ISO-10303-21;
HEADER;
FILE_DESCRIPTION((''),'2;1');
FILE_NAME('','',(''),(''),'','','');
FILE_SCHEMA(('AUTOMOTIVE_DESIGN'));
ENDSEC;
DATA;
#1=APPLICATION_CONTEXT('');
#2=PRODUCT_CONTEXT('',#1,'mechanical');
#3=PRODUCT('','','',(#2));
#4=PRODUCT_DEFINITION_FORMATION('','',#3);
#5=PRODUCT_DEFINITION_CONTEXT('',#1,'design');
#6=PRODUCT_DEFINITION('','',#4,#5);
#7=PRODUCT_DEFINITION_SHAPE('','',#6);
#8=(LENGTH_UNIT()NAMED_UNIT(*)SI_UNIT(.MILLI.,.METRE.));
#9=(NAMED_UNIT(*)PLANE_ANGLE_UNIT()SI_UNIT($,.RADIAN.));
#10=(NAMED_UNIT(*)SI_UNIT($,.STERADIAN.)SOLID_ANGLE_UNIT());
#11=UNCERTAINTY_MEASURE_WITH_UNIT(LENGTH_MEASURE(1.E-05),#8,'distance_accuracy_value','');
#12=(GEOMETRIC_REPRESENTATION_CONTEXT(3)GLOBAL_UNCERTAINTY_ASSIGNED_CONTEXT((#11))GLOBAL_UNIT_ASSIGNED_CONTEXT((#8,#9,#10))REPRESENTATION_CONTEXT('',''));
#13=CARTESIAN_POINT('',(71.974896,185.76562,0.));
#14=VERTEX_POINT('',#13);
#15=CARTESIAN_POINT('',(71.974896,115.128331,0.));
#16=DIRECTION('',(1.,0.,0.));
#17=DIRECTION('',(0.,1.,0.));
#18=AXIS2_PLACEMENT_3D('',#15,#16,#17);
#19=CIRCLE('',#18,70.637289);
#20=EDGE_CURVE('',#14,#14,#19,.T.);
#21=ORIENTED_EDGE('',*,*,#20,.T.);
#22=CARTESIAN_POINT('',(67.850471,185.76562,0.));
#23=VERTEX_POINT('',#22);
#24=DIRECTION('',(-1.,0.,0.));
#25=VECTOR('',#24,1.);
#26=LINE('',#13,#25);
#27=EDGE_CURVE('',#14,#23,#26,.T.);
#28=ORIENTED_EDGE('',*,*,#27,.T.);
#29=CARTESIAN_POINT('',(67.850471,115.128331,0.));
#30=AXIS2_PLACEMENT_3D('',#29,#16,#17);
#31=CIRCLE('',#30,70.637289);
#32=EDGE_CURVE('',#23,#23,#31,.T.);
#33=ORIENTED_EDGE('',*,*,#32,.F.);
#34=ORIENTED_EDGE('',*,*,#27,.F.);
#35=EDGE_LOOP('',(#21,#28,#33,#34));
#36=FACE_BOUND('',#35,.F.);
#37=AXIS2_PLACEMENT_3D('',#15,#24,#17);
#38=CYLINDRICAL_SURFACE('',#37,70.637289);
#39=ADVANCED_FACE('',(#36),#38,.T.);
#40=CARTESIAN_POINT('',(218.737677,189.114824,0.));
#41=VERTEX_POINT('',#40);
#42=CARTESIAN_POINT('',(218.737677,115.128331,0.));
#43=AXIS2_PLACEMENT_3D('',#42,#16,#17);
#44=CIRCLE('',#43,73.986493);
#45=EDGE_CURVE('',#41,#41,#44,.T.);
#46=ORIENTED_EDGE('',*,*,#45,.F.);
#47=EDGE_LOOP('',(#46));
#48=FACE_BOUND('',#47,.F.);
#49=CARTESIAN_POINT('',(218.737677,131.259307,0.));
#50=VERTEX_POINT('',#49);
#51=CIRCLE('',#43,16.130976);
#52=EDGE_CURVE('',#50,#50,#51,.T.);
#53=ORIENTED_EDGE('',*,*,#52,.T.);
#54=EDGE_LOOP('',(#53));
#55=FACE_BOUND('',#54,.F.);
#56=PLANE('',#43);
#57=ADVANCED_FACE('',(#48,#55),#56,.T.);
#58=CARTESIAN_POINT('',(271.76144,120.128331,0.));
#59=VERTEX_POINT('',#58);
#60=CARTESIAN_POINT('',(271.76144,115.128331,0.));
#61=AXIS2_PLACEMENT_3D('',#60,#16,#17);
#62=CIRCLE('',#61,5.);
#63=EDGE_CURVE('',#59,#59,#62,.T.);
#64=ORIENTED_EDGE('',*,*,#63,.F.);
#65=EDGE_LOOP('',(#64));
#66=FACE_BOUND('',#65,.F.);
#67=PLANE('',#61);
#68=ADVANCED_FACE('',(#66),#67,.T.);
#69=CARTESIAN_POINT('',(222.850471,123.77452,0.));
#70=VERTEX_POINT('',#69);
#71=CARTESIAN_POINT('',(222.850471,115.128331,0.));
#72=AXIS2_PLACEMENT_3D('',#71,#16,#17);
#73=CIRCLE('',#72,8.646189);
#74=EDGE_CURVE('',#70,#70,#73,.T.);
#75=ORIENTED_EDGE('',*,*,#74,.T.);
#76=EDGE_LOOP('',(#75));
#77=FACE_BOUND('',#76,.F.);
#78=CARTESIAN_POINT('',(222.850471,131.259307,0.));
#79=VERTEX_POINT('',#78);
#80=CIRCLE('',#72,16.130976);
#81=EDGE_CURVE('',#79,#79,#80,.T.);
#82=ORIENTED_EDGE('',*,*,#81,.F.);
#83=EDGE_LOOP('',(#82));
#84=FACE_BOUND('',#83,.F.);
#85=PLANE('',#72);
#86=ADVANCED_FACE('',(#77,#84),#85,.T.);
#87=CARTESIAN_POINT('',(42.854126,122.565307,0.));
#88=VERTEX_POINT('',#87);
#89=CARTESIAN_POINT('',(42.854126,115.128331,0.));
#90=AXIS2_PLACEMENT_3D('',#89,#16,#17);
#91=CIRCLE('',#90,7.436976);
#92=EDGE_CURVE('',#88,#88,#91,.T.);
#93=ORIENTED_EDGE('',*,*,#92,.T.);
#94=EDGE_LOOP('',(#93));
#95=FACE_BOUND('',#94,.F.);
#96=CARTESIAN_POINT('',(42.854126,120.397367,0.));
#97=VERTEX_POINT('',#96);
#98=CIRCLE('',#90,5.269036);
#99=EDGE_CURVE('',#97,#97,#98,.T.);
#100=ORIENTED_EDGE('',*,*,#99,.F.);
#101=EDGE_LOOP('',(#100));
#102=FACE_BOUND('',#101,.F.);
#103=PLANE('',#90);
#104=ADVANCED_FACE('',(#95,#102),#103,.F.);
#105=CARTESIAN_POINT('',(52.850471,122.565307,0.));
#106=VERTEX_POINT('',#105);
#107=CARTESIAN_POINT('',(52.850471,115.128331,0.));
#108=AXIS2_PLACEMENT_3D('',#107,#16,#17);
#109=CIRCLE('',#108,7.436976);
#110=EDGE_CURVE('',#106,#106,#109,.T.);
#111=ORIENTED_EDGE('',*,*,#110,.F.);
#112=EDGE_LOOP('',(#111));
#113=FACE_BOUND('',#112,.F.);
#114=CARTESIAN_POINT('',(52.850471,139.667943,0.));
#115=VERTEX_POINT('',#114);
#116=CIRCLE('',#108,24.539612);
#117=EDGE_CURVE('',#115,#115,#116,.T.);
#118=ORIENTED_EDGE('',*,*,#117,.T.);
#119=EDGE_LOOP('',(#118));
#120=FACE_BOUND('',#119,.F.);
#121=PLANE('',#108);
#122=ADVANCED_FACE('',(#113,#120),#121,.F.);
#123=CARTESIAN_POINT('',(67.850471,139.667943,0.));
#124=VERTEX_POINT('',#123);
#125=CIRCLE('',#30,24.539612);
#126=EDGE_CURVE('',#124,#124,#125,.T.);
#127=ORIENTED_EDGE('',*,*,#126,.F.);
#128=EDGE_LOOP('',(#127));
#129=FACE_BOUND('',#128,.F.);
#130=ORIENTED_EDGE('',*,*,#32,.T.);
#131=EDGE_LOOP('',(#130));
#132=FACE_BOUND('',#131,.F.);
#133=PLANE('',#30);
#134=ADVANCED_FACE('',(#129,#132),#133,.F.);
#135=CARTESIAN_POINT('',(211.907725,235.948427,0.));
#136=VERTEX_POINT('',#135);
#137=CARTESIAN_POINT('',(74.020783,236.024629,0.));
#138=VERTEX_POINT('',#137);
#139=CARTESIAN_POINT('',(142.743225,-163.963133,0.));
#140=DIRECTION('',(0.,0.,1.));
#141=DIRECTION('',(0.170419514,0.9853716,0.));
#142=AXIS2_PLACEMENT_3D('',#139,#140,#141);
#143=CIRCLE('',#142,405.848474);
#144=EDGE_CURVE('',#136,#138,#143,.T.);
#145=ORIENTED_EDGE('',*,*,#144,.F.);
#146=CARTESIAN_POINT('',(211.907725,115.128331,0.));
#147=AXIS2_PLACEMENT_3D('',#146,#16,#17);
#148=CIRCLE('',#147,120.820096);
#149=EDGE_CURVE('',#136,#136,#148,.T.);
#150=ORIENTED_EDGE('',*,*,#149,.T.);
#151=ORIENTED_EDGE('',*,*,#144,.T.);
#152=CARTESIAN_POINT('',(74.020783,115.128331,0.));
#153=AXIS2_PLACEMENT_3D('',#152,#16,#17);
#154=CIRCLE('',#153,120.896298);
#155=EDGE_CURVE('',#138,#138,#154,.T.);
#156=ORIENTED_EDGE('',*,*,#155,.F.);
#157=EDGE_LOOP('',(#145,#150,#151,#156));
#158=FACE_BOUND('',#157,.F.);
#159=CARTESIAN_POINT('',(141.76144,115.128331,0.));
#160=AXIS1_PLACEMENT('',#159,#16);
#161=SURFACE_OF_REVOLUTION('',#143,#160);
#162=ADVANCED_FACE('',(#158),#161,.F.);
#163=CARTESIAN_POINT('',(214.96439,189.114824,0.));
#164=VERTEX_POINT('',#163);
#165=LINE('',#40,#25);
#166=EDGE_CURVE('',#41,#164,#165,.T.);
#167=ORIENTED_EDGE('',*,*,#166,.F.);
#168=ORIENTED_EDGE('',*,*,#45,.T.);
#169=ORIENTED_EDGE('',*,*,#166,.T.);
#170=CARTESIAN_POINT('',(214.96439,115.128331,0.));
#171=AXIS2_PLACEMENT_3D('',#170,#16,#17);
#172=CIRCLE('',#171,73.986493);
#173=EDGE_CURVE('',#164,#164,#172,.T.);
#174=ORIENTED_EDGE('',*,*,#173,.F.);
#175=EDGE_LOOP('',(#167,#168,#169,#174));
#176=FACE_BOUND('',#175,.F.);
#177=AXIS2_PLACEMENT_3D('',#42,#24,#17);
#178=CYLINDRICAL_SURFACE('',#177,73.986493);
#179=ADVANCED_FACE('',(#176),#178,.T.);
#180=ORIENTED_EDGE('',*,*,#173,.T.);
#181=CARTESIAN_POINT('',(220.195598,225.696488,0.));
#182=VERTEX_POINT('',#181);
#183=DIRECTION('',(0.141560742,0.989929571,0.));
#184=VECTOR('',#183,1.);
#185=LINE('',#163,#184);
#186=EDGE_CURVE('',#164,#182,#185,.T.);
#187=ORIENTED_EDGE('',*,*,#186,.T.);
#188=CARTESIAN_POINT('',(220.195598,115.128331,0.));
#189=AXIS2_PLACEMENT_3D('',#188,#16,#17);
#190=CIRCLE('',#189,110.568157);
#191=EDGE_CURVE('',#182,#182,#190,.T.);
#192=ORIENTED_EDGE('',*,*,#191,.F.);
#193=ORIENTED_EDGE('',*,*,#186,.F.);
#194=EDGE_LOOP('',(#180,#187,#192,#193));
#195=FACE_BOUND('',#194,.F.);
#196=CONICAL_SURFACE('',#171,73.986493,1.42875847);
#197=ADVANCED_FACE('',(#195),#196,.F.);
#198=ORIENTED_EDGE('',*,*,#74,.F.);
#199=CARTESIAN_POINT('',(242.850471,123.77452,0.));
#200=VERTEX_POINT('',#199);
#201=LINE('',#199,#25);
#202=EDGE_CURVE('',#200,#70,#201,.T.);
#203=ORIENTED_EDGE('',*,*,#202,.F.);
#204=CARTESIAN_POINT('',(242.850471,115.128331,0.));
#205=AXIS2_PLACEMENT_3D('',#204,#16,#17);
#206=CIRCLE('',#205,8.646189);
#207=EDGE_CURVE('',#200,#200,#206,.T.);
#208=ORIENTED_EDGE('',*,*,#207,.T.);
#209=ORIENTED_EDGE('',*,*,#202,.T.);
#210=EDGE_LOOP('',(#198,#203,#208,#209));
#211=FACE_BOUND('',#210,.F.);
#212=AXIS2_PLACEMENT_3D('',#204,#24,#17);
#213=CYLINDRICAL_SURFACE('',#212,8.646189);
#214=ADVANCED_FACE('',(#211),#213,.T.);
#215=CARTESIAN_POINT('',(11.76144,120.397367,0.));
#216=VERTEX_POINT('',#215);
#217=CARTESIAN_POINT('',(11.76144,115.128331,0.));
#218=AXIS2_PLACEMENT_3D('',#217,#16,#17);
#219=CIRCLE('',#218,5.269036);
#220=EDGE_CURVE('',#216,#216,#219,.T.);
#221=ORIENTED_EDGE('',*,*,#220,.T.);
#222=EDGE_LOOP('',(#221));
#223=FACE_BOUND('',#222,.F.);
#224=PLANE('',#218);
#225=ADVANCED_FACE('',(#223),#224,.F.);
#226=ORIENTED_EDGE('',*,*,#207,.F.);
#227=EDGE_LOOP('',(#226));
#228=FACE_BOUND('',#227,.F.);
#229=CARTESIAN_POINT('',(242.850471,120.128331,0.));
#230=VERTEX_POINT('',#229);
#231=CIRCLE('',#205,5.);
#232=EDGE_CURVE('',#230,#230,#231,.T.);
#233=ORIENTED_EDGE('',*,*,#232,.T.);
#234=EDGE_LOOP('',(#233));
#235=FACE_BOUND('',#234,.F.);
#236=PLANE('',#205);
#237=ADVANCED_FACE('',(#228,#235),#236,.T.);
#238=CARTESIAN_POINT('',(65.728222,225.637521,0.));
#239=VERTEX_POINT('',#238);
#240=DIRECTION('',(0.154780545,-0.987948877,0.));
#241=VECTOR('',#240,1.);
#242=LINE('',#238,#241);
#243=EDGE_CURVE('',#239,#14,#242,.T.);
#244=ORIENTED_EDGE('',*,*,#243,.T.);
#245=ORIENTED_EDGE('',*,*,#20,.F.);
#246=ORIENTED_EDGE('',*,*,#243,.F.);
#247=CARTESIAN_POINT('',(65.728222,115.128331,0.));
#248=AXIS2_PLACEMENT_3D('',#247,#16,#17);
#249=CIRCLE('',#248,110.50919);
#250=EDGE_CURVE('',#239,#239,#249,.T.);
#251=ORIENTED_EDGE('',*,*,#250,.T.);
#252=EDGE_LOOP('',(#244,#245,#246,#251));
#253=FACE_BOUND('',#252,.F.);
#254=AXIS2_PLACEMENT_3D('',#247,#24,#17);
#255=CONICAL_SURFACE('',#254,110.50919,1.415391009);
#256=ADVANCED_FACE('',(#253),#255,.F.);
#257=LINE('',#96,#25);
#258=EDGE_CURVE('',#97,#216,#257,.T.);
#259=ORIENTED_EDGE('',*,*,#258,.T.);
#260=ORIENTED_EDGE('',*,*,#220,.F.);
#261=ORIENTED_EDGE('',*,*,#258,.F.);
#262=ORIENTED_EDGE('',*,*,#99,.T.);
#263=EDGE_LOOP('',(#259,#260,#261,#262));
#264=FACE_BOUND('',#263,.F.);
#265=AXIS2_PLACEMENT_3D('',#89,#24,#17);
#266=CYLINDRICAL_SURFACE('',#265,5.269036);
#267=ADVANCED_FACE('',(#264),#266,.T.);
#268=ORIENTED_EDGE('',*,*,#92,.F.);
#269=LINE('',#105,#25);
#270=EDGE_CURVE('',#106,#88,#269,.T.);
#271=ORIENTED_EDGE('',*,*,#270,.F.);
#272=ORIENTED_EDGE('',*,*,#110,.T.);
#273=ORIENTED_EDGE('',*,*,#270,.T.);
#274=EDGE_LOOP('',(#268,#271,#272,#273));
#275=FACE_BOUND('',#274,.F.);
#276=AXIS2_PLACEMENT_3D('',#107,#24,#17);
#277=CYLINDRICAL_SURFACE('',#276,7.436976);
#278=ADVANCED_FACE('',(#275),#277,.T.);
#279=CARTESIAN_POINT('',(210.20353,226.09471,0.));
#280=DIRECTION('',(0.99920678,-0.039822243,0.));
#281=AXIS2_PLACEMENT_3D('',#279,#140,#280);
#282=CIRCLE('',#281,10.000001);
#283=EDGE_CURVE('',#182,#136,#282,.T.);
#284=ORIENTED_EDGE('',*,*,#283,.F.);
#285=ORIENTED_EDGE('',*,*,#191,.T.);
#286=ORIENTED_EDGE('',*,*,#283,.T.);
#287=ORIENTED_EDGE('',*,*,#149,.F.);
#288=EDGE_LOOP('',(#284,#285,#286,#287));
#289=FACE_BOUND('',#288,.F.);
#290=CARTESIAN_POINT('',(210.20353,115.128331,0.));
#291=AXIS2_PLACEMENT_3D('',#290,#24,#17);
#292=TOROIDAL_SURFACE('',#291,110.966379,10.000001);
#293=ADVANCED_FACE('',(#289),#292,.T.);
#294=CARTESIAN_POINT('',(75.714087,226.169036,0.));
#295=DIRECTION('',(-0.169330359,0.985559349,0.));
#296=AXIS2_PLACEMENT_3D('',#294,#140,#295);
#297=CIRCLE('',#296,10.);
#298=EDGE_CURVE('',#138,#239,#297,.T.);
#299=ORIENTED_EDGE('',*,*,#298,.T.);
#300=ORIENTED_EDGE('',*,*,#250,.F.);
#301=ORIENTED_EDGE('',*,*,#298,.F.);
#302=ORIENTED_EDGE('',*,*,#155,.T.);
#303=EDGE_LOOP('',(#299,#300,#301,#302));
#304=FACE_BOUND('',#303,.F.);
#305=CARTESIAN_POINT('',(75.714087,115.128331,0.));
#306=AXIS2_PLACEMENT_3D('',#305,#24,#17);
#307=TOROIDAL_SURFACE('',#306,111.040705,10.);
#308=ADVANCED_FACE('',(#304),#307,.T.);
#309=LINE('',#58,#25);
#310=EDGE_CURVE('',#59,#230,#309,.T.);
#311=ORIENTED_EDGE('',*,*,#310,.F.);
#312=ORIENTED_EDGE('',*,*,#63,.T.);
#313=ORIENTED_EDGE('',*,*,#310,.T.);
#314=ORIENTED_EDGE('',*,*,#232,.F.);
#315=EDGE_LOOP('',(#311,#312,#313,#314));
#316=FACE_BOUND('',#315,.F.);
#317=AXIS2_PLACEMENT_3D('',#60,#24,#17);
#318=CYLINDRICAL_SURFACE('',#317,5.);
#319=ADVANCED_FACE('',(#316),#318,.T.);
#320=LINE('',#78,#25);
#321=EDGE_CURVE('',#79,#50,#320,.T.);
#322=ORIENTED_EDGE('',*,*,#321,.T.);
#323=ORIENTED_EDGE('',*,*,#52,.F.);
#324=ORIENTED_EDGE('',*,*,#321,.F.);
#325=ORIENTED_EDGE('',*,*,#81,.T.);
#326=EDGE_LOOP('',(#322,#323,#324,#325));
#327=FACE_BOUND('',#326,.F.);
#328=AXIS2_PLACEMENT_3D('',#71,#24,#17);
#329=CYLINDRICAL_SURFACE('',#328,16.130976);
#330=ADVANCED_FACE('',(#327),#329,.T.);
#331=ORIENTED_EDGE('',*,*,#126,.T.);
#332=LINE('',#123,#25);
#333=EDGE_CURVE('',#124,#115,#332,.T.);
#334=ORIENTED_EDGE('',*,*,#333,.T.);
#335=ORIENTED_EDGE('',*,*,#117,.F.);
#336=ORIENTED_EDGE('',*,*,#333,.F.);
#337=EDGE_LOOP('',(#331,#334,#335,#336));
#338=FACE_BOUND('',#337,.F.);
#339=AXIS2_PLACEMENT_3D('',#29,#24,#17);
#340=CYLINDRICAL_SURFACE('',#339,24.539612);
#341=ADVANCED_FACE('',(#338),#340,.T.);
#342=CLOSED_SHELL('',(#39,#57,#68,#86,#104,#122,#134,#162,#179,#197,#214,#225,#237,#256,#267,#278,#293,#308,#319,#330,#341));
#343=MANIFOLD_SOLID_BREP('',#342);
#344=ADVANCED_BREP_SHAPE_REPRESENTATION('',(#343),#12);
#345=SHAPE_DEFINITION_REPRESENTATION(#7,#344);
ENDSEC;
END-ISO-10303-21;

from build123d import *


with BuildPart() as f1:
    # F0 (on Top) → F1 (revolve)
    with BuildSketch(Plane.XY):
        with BuildLine():
            Line((11.76144, 120.397367), (11.76144, 115.128331))
            Line((11.76144, 115.128331), (271.76144, 115.128331))
            Line((271.76144, 115.128331), (271.76144, 120.128331))
            Line((271.76144, 120.128331), (242.850471, 120.128331))
            Line((242.850471, 120.128331), (242.850471, 123.77452))
            Line((242.850471, 123.77452), (222.850471, 123.77452))
            Line((222.850471, 123.77452), (222.850471, 131.259307))
            Line((222.850471, 131.259307), (218.737677, 131.259307))
            Line((218.737677, 131.259307), (218.737677, 189.114824))
            Line((218.737677, 189.114824), (214.96439, 189.114824))
            Line((214.96439, 189.114824), (220.195598, 225.696488))
            ThreePointArc((220.195598, 225.696488), (217.980175, 232.381506), (211.907725, 235.948427))
            ThreePointArc((211.907725, 235.948427), (142.967514, 241.885279), (74.020783, 236.024629))
            ThreePointArc((74.020783, 236.024629), (67.899117, 232.408126), (65.728222, 225.637521))
            Line((65.728222, 225.637521), (71.974896, 185.76562))
            Line((71.974896, 185.76562), (67.850471, 185.76562))
            Line((67.850471, 185.76562), (67.850471, 139.667943))
            Line((67.850471, 139.667943), (52.850471, 139.667943))
            Line((52.850471, 139.667943), (52.850471, 122.565307))
            Line((52.850471, 122.565307), (42.854126, 122.565307))
            Line((42.854126, 122.565307), (42.854126, 120.397367))
            Line((42.854126, 120.397367), (11.76144, 120.397367))
        make_face()
    revolve(axis=Axis((141.76144, 115.128331, 0), (1, 0, 0)))


solid = f1.part
